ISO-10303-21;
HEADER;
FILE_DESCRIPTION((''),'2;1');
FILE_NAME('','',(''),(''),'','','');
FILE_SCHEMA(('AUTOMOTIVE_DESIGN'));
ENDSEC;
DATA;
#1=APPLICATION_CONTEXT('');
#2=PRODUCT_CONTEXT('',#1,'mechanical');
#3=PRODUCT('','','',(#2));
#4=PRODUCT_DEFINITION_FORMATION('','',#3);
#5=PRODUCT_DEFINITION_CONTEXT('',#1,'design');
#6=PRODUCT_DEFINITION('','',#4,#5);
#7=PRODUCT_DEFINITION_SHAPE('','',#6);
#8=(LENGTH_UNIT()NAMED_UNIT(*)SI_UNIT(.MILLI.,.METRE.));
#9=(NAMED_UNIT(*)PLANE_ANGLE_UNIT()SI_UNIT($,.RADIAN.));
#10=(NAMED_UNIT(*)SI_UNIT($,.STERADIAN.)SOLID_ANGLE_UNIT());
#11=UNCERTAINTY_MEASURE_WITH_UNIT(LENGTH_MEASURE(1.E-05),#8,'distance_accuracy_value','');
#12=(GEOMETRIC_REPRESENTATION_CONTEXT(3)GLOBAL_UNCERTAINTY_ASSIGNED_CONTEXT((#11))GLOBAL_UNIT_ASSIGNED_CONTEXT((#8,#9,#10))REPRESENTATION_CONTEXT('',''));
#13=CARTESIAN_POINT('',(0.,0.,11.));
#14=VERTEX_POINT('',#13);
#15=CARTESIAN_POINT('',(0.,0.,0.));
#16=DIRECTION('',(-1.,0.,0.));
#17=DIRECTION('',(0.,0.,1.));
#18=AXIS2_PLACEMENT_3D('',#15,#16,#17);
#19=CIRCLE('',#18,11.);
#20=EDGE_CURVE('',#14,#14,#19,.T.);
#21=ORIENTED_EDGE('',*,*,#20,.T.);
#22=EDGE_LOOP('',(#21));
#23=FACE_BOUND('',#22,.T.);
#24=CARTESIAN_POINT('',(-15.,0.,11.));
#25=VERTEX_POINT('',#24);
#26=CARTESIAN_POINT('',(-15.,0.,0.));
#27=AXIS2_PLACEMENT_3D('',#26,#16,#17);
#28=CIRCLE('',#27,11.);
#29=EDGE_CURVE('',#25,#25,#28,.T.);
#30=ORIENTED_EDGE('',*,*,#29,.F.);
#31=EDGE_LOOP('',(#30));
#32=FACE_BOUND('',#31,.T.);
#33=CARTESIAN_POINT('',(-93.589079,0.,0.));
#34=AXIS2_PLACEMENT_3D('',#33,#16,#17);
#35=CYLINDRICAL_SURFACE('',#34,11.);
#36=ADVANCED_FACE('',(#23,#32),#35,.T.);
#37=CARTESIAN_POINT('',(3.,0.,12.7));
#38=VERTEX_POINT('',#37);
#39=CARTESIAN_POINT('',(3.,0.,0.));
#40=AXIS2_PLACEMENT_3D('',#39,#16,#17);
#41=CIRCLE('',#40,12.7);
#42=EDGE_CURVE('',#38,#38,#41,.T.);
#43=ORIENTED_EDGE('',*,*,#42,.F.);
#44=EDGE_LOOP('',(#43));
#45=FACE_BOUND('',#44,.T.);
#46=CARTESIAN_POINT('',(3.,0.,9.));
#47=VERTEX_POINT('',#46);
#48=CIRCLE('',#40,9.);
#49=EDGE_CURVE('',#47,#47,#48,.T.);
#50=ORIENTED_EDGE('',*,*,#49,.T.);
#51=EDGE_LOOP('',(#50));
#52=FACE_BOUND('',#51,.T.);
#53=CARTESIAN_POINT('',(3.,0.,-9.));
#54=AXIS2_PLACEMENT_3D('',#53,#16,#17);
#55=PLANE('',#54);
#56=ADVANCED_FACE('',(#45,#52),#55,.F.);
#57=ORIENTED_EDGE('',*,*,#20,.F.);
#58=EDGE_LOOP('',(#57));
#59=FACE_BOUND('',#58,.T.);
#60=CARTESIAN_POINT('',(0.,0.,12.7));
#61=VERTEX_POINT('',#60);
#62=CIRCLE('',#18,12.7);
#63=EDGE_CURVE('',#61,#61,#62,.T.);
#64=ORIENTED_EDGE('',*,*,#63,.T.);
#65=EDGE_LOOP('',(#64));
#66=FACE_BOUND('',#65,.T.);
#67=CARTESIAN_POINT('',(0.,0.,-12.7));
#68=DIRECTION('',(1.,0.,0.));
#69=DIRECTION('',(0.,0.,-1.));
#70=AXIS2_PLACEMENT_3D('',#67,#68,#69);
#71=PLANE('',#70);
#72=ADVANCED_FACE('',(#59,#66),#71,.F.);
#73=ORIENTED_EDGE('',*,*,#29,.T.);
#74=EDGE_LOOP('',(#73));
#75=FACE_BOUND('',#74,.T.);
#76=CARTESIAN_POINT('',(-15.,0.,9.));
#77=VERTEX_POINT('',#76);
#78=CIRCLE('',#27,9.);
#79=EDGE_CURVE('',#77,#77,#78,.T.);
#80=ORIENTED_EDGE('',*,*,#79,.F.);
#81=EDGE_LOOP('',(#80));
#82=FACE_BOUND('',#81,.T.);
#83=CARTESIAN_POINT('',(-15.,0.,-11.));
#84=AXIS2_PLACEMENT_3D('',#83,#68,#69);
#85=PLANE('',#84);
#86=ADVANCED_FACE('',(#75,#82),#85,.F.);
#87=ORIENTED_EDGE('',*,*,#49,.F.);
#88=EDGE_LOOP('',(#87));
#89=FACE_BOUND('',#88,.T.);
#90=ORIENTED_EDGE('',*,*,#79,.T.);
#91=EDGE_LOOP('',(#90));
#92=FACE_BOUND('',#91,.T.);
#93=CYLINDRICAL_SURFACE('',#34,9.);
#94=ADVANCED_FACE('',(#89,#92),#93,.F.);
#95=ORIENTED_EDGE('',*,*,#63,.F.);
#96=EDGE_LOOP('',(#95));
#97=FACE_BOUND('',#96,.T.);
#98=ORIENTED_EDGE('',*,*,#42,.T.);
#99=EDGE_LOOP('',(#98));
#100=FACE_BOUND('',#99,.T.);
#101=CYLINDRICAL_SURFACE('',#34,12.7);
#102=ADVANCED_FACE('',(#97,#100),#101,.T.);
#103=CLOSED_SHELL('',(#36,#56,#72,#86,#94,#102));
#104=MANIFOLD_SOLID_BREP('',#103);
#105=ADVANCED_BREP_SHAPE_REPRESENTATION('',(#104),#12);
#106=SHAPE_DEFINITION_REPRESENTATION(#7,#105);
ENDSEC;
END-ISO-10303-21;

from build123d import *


with BuildPart() as part:
    # Sketch1 → Revolve1 (revolve)
    with BuildSketch(Plane(origin=(0, 0, 0), x_dir=(1, 0, 0), z_dir=(0, 1, 0))):
        Polygon((0, 12.7), (0, 11), (-15, 11), (-15, 9), (3, 9), (3, 12.7), align=None)
    revolve(axis=Axis((-93.58907888, 0, 0), (1, 0, 0)))


solid = part.part
